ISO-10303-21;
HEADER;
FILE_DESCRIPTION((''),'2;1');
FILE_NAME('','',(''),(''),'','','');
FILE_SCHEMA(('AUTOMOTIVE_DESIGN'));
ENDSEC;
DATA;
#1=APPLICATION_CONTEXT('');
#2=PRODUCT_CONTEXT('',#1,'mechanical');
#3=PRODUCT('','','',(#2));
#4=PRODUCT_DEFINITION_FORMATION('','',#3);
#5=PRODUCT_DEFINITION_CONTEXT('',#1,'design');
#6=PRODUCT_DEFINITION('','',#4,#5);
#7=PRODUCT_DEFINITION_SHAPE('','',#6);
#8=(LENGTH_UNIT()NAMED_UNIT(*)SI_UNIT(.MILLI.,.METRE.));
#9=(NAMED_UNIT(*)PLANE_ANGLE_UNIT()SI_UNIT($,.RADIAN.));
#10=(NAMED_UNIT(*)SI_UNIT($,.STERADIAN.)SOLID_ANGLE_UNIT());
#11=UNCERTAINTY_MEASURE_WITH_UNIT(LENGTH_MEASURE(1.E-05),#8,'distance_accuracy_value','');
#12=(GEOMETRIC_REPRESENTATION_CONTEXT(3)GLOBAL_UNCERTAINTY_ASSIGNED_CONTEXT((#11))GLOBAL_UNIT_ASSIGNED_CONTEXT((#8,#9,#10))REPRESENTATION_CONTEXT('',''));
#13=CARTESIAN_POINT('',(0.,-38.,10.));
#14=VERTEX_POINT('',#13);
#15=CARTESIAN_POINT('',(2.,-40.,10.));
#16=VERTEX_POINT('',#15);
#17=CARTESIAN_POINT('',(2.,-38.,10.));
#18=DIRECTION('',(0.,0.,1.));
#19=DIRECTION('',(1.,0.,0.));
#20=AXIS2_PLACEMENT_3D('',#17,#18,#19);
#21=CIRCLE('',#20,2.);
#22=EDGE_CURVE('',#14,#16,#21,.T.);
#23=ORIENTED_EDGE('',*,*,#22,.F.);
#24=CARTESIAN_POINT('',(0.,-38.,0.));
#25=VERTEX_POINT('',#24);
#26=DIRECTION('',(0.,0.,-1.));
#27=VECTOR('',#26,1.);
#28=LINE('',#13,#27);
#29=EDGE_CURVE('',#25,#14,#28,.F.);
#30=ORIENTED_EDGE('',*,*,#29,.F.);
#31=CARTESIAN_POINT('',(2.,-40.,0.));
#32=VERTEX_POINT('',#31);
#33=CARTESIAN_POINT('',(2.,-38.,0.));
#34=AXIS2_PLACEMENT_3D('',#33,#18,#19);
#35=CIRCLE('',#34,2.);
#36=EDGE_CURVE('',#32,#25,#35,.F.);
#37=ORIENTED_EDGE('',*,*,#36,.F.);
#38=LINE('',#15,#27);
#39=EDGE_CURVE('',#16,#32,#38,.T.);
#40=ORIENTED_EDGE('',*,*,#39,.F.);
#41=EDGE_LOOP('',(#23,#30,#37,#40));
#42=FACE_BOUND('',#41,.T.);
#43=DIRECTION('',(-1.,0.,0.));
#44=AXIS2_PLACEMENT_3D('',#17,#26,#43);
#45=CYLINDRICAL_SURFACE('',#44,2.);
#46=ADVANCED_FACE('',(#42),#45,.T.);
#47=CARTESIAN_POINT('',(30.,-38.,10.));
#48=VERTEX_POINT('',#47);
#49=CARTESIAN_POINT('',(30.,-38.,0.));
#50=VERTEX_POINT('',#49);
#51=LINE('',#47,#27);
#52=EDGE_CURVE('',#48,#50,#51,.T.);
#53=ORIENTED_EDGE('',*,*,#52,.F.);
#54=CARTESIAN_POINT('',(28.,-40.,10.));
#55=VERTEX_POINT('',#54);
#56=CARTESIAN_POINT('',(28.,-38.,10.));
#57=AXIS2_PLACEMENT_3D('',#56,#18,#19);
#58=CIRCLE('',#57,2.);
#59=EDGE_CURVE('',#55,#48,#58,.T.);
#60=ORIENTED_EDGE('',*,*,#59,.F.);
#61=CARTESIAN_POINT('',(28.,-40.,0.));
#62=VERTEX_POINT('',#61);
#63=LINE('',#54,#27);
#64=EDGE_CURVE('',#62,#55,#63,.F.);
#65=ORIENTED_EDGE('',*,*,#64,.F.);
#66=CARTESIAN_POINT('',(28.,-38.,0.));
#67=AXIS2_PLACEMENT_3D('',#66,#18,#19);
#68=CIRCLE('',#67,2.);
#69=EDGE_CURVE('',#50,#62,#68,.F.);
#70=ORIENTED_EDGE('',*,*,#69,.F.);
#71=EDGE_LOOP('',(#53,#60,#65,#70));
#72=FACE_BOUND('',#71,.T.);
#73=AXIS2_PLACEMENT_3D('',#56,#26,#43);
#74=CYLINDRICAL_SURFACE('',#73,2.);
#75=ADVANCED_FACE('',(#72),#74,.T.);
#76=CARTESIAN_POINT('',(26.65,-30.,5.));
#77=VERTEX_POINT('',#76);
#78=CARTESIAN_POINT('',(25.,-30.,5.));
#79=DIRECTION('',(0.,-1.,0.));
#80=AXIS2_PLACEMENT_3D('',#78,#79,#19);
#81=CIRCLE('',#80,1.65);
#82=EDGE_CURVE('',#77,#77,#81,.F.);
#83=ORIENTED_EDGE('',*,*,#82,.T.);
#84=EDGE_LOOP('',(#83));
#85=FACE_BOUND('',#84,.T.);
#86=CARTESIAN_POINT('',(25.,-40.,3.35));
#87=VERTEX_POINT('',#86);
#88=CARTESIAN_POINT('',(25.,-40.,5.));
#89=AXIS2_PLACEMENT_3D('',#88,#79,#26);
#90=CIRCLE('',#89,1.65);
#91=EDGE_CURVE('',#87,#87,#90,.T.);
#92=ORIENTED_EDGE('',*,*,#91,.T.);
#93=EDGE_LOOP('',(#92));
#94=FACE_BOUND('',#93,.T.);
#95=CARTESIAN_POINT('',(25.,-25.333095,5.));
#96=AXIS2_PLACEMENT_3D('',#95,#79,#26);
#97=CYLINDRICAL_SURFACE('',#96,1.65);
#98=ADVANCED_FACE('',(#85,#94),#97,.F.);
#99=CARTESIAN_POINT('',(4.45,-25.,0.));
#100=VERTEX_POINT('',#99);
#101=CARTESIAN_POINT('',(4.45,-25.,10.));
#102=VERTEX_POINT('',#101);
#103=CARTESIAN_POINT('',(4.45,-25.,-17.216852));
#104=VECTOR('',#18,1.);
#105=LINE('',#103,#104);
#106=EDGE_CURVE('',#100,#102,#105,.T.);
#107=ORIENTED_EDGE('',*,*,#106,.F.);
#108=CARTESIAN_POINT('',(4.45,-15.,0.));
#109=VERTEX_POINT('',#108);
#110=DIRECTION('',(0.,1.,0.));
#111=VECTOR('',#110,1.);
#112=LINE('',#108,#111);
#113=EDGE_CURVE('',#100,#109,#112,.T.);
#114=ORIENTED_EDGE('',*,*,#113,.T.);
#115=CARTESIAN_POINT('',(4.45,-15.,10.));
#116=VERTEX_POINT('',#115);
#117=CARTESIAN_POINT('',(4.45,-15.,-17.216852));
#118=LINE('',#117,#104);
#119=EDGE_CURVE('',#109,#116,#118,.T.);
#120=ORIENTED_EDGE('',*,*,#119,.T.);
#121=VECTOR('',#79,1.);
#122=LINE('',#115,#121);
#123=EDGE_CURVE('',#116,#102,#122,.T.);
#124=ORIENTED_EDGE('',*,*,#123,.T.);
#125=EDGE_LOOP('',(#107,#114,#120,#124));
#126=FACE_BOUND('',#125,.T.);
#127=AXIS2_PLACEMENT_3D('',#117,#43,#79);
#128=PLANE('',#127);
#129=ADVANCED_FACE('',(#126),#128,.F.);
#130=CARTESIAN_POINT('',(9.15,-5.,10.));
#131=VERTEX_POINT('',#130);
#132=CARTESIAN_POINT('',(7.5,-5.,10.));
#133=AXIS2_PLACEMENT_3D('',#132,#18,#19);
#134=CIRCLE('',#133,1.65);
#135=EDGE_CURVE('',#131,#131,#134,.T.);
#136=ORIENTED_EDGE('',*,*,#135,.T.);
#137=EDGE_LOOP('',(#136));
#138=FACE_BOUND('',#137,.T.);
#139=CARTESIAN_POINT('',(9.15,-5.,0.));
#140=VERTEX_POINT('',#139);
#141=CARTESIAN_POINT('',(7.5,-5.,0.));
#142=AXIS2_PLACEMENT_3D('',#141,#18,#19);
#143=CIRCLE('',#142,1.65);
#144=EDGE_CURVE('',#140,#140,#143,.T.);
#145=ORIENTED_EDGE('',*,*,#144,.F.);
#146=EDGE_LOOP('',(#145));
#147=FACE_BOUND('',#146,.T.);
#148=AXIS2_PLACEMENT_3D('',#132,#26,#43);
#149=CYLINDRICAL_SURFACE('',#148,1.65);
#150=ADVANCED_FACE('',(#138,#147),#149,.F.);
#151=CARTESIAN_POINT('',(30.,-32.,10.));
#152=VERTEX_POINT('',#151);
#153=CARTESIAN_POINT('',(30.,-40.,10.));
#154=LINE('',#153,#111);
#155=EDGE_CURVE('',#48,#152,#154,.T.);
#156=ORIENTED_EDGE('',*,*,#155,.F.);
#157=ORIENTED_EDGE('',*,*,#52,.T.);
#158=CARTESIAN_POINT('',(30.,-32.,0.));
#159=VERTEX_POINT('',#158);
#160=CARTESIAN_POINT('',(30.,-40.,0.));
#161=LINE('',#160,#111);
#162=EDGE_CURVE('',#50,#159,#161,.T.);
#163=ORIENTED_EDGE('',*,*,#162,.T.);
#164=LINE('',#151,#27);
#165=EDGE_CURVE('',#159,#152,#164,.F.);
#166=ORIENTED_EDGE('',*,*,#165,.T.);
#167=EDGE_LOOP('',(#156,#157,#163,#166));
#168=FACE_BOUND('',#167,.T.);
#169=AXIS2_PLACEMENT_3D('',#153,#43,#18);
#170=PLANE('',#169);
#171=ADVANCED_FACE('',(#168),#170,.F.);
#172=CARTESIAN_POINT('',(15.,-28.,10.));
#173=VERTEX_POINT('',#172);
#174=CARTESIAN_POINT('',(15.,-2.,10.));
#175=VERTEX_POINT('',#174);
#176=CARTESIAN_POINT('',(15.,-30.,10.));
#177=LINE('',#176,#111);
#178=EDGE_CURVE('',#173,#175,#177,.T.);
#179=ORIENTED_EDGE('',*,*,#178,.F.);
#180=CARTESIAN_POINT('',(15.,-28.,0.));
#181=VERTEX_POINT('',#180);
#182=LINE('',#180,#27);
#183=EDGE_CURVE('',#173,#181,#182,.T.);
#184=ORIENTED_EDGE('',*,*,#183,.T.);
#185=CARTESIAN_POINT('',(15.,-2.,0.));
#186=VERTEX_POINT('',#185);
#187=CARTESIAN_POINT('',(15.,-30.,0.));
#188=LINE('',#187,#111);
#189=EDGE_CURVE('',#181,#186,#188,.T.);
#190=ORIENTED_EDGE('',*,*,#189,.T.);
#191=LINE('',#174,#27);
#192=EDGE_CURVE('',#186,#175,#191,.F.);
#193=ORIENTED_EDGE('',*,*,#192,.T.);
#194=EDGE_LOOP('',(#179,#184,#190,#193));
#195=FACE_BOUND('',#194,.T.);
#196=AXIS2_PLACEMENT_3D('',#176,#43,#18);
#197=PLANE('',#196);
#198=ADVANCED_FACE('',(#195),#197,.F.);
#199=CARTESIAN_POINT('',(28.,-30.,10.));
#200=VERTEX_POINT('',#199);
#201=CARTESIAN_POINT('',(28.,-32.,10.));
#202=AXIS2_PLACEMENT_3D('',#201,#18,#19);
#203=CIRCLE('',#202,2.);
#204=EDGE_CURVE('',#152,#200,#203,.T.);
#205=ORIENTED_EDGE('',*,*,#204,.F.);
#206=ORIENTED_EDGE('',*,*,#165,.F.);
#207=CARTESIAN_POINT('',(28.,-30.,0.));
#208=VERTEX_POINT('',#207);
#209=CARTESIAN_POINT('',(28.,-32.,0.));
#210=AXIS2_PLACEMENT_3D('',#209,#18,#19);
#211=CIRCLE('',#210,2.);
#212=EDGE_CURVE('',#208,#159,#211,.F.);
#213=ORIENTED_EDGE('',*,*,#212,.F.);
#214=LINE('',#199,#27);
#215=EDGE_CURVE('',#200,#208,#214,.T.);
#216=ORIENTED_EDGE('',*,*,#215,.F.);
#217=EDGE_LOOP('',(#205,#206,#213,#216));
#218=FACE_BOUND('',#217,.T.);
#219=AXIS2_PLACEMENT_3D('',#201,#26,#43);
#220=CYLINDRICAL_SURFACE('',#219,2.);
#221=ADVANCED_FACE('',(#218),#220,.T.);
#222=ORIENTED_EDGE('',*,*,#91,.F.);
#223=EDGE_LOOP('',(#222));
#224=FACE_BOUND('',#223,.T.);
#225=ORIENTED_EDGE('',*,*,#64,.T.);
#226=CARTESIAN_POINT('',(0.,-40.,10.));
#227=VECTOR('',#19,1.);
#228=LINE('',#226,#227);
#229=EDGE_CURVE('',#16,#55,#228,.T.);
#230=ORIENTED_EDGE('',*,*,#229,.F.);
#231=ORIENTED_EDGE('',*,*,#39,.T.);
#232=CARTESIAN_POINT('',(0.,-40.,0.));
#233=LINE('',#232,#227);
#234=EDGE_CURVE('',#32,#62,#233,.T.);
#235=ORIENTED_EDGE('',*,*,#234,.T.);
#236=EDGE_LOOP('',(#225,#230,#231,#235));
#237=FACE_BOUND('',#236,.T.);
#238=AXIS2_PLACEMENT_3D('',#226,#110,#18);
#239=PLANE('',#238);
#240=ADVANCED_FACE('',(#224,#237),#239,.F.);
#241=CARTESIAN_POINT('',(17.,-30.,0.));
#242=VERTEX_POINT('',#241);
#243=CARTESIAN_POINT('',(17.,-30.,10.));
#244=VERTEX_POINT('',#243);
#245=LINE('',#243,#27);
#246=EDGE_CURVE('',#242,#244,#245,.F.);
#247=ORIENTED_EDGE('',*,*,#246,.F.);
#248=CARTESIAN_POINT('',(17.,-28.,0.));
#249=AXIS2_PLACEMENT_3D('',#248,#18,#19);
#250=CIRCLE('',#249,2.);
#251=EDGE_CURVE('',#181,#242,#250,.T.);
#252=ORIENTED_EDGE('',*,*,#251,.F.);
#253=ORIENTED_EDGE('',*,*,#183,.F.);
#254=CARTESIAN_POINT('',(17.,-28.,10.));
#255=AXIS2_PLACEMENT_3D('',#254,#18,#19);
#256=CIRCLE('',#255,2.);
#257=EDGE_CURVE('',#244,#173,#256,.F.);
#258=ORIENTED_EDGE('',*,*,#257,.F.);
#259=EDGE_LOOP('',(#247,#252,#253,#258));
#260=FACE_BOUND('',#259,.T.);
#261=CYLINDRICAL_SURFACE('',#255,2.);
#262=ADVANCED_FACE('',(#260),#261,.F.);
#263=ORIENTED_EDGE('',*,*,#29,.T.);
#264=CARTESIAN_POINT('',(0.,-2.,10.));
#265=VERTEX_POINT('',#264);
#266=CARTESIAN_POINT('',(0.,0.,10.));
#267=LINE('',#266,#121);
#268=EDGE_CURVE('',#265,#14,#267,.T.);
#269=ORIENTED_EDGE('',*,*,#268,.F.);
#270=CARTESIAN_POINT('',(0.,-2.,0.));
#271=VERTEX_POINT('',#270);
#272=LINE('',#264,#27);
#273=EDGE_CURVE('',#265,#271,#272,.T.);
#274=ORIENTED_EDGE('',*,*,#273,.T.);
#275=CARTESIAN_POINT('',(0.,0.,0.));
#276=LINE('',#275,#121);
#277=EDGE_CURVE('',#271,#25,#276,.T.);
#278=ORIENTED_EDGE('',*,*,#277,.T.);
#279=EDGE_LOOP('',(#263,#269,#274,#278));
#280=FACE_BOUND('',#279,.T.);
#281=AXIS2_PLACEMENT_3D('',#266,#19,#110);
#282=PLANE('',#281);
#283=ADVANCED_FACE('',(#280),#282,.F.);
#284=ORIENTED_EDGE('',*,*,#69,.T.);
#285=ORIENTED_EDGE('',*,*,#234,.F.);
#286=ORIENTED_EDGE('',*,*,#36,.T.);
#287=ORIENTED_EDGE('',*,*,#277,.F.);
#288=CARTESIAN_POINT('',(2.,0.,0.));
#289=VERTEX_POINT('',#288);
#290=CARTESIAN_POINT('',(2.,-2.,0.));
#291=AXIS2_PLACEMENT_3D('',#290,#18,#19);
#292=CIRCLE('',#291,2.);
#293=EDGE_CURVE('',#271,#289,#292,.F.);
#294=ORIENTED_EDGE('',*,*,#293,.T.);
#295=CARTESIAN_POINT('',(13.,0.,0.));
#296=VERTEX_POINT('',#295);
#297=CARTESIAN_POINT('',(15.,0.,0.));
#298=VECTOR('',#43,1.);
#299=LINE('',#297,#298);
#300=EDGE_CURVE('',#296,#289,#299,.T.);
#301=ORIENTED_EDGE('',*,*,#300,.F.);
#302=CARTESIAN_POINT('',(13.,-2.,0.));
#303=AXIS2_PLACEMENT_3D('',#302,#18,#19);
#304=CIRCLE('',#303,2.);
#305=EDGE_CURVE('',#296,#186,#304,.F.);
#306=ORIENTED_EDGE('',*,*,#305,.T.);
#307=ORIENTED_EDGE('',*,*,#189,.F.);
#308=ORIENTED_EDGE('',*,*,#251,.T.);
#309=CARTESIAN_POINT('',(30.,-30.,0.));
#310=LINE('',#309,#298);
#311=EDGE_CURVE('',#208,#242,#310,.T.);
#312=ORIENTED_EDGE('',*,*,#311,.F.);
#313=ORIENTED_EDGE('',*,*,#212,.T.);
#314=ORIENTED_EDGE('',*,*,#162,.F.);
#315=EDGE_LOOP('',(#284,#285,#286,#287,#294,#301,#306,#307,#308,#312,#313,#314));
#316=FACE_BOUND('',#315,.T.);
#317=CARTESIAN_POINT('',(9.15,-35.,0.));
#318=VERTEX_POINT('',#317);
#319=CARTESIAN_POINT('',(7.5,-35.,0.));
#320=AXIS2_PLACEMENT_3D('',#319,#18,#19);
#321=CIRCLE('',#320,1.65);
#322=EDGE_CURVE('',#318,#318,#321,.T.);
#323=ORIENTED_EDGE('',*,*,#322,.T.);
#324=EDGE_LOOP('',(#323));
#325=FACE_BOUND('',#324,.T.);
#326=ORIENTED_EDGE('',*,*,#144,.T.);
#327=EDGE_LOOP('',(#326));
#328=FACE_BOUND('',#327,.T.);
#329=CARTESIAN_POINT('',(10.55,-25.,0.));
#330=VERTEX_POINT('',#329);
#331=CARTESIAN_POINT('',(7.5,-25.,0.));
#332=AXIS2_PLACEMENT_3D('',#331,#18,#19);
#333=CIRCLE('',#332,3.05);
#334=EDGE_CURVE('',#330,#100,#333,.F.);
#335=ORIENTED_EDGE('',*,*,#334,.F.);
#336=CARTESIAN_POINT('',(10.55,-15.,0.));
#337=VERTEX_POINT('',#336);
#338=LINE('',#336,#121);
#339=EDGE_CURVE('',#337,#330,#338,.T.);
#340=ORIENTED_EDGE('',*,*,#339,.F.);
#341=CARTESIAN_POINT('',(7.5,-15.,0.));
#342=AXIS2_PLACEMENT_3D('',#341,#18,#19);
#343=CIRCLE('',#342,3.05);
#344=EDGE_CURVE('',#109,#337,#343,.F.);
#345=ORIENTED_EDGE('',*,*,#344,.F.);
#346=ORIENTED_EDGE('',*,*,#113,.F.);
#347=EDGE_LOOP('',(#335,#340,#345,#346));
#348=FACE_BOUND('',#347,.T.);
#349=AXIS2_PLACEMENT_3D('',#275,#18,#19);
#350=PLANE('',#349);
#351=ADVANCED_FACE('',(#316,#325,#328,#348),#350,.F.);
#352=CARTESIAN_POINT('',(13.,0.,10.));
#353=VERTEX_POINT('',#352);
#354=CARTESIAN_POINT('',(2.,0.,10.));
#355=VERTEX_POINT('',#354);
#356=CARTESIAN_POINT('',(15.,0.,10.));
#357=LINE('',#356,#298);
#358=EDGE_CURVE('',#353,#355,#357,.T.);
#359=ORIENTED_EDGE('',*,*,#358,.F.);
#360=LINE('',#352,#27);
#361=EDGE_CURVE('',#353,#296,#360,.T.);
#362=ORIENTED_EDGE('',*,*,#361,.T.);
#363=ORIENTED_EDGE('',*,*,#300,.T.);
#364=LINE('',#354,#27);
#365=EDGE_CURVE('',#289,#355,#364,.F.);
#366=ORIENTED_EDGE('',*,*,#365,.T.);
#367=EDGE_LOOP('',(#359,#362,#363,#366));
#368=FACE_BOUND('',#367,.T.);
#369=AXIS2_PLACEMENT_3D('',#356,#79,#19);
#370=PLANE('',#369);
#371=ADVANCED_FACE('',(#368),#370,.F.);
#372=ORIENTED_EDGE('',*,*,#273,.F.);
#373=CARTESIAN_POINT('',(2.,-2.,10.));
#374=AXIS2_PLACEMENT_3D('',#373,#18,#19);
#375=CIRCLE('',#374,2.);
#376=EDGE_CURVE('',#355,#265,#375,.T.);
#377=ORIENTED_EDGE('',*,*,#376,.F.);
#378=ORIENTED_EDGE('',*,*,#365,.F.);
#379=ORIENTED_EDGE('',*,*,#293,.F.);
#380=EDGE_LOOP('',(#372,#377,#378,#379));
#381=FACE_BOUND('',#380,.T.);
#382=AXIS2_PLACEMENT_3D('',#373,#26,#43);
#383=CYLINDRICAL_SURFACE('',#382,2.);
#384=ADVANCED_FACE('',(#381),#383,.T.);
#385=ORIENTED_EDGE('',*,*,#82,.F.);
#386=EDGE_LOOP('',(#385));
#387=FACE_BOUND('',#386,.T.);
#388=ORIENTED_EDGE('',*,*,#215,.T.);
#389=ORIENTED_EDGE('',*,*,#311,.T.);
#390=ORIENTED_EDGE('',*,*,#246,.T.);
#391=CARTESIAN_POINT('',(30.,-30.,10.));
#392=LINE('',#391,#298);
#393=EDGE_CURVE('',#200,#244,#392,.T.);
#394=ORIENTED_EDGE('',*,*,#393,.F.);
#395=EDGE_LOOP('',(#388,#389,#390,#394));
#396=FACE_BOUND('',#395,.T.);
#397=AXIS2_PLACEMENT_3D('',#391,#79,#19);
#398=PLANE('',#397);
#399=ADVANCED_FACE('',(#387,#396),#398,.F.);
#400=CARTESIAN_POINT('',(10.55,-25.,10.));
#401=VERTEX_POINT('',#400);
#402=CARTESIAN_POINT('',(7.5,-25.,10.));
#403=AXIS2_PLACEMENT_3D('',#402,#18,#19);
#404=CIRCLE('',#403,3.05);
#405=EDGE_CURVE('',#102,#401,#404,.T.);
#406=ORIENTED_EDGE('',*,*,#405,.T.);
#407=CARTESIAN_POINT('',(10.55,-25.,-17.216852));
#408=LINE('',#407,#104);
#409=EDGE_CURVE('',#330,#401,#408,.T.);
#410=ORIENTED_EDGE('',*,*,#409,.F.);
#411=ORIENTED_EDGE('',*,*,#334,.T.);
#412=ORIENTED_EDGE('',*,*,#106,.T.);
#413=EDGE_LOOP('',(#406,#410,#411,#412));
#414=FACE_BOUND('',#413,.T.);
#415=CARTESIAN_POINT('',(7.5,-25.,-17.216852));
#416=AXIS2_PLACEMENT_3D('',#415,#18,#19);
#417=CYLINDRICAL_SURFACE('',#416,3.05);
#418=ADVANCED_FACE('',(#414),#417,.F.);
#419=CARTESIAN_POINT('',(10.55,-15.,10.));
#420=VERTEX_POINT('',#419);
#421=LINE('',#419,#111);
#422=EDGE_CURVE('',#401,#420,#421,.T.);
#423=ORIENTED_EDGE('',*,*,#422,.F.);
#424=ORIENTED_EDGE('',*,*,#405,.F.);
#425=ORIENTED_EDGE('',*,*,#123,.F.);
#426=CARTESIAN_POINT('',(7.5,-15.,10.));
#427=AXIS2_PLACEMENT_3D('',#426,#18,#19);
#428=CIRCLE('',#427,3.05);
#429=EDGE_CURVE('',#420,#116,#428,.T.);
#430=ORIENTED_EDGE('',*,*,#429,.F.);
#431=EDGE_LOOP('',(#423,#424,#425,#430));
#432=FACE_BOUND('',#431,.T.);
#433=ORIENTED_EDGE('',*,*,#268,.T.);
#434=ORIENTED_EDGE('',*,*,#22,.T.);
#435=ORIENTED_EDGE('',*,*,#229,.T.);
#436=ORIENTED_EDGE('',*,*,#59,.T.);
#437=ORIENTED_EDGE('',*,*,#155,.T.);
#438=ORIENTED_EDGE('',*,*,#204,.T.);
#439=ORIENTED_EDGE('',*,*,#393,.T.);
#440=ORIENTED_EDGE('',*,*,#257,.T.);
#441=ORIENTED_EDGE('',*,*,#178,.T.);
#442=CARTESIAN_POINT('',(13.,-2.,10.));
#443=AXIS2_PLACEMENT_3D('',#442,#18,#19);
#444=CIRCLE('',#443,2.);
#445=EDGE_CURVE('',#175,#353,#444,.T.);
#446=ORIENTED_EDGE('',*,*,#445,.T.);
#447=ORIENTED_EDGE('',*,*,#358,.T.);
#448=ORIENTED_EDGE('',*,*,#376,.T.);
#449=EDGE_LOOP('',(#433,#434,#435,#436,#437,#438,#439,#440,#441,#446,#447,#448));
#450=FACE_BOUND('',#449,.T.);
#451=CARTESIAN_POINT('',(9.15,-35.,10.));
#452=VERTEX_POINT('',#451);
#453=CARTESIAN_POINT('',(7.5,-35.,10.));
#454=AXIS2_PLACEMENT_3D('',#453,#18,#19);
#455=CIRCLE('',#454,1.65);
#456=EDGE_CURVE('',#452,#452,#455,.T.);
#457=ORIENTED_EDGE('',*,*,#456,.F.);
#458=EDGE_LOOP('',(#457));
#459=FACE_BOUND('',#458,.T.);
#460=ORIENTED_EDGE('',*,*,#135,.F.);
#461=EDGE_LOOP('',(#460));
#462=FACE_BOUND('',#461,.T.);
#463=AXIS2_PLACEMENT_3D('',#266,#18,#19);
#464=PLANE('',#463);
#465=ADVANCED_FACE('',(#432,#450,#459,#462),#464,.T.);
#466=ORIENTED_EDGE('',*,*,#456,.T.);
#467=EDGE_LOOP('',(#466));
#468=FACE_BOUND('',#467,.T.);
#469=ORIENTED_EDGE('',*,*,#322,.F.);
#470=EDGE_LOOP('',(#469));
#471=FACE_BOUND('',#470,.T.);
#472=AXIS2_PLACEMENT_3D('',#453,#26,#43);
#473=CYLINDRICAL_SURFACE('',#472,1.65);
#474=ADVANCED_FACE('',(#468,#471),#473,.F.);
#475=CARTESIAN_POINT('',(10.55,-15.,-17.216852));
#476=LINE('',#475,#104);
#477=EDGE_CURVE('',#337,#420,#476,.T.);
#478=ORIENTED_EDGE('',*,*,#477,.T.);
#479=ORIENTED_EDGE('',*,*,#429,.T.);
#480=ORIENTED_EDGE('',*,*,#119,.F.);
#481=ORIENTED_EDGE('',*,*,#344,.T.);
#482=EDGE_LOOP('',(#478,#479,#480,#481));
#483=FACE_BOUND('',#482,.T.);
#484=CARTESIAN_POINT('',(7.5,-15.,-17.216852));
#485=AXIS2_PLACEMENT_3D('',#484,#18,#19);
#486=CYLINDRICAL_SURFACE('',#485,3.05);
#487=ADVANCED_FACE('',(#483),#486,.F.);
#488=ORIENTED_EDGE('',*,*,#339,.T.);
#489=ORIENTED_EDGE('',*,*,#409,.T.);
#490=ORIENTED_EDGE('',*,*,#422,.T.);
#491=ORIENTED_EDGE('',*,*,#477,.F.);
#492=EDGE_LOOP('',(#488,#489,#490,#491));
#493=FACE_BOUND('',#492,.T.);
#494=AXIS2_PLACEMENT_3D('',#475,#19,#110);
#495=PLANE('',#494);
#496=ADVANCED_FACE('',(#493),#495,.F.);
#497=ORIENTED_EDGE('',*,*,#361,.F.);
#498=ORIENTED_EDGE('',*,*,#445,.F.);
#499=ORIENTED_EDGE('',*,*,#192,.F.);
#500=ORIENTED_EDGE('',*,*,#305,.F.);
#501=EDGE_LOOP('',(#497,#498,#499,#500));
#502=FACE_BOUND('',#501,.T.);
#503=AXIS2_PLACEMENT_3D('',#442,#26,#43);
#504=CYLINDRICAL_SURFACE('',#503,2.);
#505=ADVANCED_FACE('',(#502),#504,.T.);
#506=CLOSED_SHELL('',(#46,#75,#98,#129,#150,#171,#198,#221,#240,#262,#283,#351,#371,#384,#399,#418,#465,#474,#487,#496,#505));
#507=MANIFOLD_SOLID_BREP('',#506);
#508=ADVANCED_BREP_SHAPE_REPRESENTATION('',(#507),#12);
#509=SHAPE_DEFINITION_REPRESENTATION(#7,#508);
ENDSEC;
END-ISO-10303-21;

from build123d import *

# Parameters (mm, degrees)
SKETCH_1_R          = 1.65
EXTRUDE_1_DEPTH     = 10
SKETCH_5_R          = 1.65
CUT_EXTRUDE_2_DEPTH = 10
BODY_CUT_DEPTH      = 10
FILLET_1_R          = 2
FILLET_2_R          = 2


with BuildPart() as part:
    # ｽｹｯﾁ1 → ﾎﾞｽ - 押し出し1 (new body)
    with BuildSketch(Plane.XY):
        Polygon((0, 0), (0, -40), (30, -40), (30, -30), (15, -30), (15, 0), align=None)
        with Locations((7.5, -5)):
            Circle(SKETCH_1_R, mode=Mode.SUBTRACT)
        with Locations((7.5, -35)):
            Circle(SKETCH_1_R, mode=Mode.SUBTRACT)
    extrude(amount=EXTRUDE_1_DEPTH)

    # ｽｹｯﾁ5 → ｶｯﾄ - 押し出し2 (cut)
    with BuildSketch(Plane.XZ.offset(40)):
        with Locations(Location((25, 5, 0), (0, 0, 270))):
            Circle(SKETCH_5_R)
    extrude(amount=-CUT_EXTRUDE_2_DEPTH, mode=Mode.SUBTRACT)

    # ｽｹｯﾁ7 → body cut (cut)
    with BuildSketch(Plane.XY.offset(10)):
        with BuildLine():
            Line((10.55, -15), (10.55, -25))
            ThreePointArc((10.55, -25), (7.5, -28.05), (4.45, -25))
            Line((4.45, -25), (4.45, -15))
            ThreePointArc((4.45, -15), (7.5, -11.95), (10.55, -15))
        make_face()
    extrude(amount=-BODY_CUT_DEPTH, mode=Mode.SUBTRACT)

    # ﾌｨﾚｯﾄ1
    fillet_1_edges = [part.edges().sort_by_distance(p)[0] for p in [
        (15, -30, 5),
    ]]
    fillet(fillet_1_edges, radius=FILLET_1_R)

    # ﾌｨﾚｯﾄ2
    fillet_2_edges = [part.edges().sort_by_distance(p)[0] for p in [
        (15, 0, 5),
        (30, -30, 5),
        (30, -40, 5),
        (0, -40, 5),
        (0, 0, 5),
    ]]
    fillet(fillet_2_edges, radius=FILLET_2_R)


solid = part.part
